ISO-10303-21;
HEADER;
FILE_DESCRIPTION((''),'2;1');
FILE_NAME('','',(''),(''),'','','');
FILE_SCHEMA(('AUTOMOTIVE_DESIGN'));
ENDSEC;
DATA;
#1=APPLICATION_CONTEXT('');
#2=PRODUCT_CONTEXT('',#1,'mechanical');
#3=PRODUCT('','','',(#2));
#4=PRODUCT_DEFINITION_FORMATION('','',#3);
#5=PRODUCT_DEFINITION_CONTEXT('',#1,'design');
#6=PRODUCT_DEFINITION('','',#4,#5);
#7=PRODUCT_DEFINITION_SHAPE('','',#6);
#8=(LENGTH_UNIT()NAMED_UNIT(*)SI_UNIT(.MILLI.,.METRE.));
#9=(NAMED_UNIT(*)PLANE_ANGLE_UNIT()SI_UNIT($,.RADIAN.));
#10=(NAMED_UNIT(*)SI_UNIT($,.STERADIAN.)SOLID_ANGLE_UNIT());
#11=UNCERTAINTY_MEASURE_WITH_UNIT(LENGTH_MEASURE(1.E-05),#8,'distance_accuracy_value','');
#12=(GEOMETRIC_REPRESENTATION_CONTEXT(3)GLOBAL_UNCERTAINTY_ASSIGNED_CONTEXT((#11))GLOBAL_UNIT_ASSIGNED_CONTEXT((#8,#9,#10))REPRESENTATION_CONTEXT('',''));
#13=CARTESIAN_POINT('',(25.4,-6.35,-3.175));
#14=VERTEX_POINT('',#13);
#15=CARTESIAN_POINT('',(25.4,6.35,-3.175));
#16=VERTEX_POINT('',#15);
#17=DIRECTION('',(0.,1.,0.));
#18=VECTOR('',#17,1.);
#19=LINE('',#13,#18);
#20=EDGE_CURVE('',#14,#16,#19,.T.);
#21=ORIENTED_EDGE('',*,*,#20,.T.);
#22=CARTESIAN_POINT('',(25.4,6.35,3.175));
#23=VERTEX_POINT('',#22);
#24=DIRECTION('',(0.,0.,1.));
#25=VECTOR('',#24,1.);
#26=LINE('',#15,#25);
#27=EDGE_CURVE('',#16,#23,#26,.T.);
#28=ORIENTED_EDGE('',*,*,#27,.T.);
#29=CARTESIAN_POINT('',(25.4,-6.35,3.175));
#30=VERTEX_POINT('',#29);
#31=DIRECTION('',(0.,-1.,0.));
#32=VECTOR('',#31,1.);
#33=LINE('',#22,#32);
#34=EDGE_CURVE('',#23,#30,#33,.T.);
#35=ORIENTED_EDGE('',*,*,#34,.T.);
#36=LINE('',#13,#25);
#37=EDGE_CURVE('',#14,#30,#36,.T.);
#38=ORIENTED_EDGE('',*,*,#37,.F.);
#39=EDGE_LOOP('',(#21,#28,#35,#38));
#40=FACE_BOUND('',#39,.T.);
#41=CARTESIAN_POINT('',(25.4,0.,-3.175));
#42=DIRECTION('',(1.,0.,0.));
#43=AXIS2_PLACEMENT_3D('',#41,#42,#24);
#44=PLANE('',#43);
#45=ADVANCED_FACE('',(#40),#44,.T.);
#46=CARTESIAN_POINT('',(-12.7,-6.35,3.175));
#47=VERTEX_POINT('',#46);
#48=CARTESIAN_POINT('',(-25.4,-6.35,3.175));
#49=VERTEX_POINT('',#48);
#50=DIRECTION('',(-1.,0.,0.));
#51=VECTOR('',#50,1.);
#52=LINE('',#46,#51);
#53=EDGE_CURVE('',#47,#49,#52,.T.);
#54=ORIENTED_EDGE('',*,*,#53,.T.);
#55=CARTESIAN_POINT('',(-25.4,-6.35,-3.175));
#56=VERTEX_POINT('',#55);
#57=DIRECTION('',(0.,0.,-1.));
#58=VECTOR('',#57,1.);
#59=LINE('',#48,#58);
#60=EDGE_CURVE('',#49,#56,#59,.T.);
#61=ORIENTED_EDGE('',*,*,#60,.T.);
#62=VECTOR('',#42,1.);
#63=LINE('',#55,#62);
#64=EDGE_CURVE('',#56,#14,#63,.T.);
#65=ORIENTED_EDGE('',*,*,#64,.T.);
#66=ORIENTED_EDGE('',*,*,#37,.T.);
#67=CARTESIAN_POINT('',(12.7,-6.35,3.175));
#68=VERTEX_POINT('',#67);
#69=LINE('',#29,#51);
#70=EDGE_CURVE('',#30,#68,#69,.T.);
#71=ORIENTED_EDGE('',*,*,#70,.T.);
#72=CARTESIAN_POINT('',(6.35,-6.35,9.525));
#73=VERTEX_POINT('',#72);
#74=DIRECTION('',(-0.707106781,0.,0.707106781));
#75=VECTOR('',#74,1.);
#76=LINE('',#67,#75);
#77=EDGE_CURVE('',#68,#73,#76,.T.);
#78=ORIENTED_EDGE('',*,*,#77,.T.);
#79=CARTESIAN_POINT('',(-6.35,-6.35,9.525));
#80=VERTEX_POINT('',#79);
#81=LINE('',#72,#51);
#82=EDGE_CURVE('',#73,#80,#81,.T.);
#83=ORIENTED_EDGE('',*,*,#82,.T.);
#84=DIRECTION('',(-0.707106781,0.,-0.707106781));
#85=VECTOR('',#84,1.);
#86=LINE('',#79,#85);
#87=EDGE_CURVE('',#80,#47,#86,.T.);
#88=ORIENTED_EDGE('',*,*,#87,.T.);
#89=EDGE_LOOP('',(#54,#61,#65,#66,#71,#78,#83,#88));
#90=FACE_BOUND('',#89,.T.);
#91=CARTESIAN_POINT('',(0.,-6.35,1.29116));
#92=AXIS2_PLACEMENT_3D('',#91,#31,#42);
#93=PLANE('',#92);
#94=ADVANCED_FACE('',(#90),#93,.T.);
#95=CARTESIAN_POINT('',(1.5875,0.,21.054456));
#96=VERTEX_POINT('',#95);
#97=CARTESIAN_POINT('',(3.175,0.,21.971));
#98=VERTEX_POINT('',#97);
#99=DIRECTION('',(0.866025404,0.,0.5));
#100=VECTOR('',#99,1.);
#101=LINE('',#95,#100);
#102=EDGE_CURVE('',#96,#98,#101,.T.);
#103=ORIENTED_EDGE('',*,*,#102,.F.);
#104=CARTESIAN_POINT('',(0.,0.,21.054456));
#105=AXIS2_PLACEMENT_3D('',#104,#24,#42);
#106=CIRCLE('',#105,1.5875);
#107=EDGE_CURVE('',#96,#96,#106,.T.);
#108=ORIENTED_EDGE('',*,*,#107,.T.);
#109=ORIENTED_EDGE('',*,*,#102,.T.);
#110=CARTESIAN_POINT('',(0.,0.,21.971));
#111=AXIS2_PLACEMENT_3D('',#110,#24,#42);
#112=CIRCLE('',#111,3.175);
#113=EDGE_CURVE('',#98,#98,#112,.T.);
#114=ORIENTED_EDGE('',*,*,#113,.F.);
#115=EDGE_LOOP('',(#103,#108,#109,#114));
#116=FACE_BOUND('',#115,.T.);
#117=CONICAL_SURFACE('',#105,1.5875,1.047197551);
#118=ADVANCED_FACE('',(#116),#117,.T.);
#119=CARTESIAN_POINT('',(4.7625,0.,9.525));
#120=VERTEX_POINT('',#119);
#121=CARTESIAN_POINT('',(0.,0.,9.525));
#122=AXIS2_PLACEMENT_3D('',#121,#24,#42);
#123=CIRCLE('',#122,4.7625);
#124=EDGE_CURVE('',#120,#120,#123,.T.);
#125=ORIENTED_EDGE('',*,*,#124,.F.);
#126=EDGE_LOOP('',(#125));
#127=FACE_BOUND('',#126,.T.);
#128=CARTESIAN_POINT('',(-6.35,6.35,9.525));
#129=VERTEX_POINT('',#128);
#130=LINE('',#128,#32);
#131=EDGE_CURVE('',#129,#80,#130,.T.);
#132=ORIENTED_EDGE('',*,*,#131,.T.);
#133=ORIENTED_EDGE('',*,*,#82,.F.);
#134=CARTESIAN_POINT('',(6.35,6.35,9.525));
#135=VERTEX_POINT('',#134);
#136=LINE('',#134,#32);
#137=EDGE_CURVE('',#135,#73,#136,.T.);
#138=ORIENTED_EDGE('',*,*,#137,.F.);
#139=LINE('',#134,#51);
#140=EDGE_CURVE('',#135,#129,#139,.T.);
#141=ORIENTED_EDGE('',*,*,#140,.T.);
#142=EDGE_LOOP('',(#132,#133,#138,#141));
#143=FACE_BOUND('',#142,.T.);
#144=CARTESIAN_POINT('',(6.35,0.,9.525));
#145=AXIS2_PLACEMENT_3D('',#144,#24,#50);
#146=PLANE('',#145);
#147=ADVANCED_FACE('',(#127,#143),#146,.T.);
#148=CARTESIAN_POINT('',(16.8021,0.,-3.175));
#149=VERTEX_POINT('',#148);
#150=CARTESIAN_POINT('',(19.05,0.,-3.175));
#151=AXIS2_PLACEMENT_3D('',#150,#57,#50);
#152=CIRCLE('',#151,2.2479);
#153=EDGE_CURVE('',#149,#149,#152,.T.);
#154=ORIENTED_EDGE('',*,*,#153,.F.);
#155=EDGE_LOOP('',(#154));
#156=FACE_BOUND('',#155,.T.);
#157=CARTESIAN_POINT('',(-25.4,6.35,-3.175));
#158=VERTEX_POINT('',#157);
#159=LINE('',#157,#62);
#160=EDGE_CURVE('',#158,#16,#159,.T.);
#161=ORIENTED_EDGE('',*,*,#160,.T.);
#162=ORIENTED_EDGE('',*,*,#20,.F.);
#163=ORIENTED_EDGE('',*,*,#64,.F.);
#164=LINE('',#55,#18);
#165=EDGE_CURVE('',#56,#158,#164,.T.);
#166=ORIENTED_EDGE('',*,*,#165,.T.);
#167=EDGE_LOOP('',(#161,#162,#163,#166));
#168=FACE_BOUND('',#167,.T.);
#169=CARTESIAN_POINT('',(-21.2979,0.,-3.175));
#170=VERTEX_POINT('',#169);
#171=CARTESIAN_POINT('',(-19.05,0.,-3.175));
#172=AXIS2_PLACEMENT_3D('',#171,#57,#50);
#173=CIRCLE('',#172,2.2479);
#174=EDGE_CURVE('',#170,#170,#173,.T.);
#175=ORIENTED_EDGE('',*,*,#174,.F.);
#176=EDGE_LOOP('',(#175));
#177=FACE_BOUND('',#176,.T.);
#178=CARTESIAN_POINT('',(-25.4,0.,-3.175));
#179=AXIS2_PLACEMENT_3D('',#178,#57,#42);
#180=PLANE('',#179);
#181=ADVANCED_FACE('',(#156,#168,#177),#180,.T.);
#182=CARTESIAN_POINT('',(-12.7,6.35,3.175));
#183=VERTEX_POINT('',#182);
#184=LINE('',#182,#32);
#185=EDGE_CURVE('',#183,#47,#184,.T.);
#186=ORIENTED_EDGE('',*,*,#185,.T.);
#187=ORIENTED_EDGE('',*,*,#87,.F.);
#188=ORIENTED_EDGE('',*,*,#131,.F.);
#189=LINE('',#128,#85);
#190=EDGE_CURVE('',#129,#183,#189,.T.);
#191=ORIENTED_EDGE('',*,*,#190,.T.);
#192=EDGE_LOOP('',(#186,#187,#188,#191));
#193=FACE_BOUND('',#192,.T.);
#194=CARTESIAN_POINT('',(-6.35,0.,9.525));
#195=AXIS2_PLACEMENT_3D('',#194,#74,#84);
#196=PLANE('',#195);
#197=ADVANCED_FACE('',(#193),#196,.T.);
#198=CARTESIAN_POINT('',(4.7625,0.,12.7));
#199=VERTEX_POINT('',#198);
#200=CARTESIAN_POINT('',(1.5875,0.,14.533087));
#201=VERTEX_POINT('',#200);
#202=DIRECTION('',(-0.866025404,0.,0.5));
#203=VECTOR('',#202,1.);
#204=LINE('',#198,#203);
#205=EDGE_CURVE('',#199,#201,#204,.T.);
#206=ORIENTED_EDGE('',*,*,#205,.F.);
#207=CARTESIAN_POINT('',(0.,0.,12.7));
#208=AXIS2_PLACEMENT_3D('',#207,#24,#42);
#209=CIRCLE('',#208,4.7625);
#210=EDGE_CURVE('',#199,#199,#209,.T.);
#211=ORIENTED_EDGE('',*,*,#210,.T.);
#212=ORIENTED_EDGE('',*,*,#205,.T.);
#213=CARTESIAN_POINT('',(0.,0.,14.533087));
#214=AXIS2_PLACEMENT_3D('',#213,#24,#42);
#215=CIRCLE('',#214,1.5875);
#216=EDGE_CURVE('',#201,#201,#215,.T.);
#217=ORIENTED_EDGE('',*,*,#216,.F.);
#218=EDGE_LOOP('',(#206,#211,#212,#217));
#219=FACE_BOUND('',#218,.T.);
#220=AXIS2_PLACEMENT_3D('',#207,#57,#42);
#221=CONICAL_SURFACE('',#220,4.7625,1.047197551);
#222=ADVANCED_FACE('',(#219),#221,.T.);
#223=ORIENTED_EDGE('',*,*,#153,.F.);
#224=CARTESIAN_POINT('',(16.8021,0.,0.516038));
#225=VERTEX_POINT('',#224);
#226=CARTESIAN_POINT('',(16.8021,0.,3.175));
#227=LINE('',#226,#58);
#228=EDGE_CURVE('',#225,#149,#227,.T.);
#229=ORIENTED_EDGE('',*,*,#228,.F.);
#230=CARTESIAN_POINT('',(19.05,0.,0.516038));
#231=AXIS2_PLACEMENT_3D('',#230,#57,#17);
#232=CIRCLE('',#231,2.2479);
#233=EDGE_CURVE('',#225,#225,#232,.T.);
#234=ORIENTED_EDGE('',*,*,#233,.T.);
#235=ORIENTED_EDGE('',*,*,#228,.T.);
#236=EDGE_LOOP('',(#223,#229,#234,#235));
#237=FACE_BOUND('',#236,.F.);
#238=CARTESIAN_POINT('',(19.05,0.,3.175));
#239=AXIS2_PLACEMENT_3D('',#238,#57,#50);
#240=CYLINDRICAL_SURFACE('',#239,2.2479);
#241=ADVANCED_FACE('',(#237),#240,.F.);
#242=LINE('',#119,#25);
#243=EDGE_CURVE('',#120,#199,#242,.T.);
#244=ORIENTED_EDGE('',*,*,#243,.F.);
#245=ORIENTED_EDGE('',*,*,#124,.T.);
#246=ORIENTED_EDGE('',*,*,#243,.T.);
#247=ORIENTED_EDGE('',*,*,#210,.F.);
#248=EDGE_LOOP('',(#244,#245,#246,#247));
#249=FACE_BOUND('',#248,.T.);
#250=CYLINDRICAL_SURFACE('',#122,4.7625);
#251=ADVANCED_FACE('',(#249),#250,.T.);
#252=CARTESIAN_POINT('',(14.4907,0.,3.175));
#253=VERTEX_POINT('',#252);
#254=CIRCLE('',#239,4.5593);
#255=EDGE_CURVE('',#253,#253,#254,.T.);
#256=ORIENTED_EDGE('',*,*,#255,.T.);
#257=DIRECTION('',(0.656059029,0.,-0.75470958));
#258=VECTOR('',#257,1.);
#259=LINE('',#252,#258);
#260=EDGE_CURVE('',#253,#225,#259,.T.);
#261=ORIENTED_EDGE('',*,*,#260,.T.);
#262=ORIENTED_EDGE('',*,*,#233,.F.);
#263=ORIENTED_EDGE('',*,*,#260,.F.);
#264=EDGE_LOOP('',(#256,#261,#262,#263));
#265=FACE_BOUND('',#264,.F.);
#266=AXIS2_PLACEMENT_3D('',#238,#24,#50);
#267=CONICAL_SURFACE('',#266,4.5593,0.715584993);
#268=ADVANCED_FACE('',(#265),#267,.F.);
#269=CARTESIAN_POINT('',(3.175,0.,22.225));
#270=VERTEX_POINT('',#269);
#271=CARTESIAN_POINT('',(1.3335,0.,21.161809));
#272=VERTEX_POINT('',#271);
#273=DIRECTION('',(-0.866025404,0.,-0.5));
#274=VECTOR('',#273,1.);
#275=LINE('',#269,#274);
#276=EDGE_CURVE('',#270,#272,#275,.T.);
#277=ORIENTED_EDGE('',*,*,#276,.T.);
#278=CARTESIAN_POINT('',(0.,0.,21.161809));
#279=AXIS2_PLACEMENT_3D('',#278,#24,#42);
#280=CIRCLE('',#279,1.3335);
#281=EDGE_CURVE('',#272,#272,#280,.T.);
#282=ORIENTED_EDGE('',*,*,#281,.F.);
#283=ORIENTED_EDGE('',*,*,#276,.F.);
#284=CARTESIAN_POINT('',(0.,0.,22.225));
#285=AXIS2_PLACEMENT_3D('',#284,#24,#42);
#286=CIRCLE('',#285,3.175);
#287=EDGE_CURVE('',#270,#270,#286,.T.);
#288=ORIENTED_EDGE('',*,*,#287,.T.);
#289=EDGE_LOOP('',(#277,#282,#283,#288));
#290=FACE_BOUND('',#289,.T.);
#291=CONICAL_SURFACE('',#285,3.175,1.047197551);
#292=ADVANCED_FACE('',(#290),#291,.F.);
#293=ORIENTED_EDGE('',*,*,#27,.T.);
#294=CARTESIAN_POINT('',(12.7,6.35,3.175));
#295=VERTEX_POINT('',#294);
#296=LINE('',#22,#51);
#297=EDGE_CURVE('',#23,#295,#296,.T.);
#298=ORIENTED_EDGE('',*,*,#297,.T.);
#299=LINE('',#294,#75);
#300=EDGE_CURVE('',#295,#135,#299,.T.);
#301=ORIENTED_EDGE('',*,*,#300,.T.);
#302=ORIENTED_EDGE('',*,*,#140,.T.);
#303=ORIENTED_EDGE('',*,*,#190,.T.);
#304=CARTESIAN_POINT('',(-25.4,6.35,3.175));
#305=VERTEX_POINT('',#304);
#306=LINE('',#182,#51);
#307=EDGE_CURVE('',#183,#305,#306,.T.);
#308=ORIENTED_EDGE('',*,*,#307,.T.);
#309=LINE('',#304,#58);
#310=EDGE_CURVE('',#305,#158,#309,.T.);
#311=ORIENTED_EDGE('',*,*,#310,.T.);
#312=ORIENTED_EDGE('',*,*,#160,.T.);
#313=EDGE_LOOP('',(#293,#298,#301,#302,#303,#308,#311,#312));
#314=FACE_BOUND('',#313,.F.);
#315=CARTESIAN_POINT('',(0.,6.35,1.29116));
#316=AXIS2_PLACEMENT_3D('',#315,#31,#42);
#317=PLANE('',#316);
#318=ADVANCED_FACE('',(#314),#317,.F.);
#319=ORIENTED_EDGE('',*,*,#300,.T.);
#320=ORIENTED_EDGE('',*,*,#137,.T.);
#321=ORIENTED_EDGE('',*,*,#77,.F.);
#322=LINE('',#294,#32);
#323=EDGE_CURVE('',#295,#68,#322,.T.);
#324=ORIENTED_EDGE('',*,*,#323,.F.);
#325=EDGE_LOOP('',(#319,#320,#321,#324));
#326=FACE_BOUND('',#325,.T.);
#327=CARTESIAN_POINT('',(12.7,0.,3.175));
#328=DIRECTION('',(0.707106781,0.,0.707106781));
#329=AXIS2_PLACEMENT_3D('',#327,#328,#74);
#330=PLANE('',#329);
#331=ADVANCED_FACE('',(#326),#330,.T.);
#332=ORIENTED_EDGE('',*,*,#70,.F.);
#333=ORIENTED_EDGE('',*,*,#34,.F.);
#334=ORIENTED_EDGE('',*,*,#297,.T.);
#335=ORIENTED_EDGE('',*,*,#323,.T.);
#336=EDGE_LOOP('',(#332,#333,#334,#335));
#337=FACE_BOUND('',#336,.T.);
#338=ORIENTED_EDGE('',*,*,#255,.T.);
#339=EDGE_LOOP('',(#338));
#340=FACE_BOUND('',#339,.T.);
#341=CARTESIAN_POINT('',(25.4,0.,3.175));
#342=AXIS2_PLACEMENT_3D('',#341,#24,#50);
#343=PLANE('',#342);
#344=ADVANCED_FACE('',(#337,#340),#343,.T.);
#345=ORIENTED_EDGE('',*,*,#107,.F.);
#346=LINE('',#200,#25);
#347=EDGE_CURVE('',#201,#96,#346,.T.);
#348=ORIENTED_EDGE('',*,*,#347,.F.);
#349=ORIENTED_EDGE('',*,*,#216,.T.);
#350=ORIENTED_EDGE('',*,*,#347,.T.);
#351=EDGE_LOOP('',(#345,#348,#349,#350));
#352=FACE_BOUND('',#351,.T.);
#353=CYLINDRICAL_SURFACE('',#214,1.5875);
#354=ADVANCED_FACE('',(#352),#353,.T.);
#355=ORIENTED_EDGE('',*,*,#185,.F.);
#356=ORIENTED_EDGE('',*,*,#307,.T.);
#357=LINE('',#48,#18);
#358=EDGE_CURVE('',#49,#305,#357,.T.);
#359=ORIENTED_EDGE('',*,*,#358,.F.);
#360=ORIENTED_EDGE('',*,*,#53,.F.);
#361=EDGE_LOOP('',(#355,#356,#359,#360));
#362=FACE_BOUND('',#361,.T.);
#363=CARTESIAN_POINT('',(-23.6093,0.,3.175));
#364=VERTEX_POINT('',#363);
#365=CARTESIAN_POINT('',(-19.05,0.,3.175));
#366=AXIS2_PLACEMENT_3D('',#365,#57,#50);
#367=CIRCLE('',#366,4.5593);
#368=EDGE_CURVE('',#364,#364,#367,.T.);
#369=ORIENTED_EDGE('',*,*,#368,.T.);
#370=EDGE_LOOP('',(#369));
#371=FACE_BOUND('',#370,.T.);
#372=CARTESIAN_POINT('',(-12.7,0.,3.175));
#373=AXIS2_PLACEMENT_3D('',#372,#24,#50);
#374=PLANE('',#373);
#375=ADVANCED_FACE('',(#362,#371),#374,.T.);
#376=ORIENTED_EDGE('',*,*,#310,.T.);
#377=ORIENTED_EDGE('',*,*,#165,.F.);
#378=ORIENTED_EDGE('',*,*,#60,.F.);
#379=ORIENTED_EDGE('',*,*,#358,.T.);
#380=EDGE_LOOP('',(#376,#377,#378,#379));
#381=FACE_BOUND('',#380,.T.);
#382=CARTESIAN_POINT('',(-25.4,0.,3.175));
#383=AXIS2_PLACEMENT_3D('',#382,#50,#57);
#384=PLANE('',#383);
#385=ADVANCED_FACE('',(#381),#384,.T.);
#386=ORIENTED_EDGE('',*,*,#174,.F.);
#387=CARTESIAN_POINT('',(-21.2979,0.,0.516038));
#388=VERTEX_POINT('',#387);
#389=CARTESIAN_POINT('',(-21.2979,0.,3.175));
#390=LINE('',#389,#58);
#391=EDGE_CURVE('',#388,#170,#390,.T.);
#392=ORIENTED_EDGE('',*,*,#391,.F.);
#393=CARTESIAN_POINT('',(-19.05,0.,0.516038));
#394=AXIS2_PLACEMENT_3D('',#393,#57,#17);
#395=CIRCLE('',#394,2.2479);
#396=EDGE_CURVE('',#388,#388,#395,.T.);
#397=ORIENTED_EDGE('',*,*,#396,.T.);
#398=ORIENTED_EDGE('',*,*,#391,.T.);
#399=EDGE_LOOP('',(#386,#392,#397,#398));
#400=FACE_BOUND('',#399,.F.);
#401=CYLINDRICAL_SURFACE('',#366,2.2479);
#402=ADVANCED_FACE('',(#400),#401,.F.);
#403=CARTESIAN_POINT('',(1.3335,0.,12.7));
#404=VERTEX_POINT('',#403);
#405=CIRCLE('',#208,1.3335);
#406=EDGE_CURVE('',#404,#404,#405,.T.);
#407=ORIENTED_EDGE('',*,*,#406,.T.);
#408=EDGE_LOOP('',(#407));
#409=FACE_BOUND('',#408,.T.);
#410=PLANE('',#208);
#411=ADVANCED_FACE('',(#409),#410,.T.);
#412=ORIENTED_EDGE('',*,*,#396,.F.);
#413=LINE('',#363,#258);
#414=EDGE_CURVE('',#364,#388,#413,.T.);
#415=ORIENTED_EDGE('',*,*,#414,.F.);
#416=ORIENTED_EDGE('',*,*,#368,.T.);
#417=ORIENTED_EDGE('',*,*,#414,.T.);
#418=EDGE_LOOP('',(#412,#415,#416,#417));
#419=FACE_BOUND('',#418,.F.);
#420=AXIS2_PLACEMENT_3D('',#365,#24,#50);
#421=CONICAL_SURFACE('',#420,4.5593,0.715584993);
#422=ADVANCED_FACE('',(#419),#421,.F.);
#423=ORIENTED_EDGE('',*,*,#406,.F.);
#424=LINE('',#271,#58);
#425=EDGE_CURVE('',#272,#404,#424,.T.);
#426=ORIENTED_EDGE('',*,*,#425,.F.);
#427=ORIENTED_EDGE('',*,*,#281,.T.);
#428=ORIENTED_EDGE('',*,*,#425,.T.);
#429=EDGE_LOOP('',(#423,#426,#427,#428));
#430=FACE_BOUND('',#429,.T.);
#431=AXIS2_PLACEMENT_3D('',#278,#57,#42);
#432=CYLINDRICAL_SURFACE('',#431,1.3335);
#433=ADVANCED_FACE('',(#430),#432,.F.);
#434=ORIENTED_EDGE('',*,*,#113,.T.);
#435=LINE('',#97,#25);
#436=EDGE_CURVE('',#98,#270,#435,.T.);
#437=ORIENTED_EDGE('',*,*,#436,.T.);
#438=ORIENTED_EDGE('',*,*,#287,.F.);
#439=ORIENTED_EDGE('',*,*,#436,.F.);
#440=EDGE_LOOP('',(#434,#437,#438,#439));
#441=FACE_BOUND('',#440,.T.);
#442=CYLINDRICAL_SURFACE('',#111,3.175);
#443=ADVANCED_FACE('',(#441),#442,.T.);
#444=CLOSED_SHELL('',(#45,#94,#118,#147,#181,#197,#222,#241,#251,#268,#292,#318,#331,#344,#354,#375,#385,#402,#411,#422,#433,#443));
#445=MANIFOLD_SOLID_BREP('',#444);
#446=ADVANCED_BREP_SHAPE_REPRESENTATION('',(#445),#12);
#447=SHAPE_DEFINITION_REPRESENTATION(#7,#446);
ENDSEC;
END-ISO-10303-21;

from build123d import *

# Parameters (mm, degrees)
F1_DEPTH       = 6.35
F3_D           = 4.4958
F3_CSINK_D     = 9.1186
F3_CSINK_ANGLE = 82


with BuildPart() as f1:
    # F0 (on Front) → F1 (new body, symmetric)
    with BuildSketch(Plane.XZ):
        Polygon((25.4, -3.175), (25.4, 3.175), (12.7, 3.175), (6.35, 9.525), (-6.35, 9.525), (-12.7, 3.175), (-25.4, 3.175), (-25.4, -3.175), align=None)
    extrude(amount=F1_DEPTH, both=True)

    # F3 (through all)
    with Locations(Plane.XY.offset(3.175)):
        with Locations((-19.05, 0), (19.05, 0)):
            CounterSinkHole(F3_D / 2, F3_CSINK_D / 2, counter_sink_angle=F3_CSINK_ANGLE)

    # F4 (on Front) → F5 (revolve)
    with BuildSketch(Plane.XZ):
        Polygon((0, 12.7), (0, 9.525), (4.7625, 9.525), (4.7625, 12.7), (1.5875, 14.5330871047), (1.5875, 21.0544564477), (3.175, 21.971), (3.175, 22.225), (1.3335, 21.1618094793), (1.3335, 12.7), align=None)
    revolve(axis=Axis((0, 0, 11.1125), (0, 0, 1)))


solid = f1.part
